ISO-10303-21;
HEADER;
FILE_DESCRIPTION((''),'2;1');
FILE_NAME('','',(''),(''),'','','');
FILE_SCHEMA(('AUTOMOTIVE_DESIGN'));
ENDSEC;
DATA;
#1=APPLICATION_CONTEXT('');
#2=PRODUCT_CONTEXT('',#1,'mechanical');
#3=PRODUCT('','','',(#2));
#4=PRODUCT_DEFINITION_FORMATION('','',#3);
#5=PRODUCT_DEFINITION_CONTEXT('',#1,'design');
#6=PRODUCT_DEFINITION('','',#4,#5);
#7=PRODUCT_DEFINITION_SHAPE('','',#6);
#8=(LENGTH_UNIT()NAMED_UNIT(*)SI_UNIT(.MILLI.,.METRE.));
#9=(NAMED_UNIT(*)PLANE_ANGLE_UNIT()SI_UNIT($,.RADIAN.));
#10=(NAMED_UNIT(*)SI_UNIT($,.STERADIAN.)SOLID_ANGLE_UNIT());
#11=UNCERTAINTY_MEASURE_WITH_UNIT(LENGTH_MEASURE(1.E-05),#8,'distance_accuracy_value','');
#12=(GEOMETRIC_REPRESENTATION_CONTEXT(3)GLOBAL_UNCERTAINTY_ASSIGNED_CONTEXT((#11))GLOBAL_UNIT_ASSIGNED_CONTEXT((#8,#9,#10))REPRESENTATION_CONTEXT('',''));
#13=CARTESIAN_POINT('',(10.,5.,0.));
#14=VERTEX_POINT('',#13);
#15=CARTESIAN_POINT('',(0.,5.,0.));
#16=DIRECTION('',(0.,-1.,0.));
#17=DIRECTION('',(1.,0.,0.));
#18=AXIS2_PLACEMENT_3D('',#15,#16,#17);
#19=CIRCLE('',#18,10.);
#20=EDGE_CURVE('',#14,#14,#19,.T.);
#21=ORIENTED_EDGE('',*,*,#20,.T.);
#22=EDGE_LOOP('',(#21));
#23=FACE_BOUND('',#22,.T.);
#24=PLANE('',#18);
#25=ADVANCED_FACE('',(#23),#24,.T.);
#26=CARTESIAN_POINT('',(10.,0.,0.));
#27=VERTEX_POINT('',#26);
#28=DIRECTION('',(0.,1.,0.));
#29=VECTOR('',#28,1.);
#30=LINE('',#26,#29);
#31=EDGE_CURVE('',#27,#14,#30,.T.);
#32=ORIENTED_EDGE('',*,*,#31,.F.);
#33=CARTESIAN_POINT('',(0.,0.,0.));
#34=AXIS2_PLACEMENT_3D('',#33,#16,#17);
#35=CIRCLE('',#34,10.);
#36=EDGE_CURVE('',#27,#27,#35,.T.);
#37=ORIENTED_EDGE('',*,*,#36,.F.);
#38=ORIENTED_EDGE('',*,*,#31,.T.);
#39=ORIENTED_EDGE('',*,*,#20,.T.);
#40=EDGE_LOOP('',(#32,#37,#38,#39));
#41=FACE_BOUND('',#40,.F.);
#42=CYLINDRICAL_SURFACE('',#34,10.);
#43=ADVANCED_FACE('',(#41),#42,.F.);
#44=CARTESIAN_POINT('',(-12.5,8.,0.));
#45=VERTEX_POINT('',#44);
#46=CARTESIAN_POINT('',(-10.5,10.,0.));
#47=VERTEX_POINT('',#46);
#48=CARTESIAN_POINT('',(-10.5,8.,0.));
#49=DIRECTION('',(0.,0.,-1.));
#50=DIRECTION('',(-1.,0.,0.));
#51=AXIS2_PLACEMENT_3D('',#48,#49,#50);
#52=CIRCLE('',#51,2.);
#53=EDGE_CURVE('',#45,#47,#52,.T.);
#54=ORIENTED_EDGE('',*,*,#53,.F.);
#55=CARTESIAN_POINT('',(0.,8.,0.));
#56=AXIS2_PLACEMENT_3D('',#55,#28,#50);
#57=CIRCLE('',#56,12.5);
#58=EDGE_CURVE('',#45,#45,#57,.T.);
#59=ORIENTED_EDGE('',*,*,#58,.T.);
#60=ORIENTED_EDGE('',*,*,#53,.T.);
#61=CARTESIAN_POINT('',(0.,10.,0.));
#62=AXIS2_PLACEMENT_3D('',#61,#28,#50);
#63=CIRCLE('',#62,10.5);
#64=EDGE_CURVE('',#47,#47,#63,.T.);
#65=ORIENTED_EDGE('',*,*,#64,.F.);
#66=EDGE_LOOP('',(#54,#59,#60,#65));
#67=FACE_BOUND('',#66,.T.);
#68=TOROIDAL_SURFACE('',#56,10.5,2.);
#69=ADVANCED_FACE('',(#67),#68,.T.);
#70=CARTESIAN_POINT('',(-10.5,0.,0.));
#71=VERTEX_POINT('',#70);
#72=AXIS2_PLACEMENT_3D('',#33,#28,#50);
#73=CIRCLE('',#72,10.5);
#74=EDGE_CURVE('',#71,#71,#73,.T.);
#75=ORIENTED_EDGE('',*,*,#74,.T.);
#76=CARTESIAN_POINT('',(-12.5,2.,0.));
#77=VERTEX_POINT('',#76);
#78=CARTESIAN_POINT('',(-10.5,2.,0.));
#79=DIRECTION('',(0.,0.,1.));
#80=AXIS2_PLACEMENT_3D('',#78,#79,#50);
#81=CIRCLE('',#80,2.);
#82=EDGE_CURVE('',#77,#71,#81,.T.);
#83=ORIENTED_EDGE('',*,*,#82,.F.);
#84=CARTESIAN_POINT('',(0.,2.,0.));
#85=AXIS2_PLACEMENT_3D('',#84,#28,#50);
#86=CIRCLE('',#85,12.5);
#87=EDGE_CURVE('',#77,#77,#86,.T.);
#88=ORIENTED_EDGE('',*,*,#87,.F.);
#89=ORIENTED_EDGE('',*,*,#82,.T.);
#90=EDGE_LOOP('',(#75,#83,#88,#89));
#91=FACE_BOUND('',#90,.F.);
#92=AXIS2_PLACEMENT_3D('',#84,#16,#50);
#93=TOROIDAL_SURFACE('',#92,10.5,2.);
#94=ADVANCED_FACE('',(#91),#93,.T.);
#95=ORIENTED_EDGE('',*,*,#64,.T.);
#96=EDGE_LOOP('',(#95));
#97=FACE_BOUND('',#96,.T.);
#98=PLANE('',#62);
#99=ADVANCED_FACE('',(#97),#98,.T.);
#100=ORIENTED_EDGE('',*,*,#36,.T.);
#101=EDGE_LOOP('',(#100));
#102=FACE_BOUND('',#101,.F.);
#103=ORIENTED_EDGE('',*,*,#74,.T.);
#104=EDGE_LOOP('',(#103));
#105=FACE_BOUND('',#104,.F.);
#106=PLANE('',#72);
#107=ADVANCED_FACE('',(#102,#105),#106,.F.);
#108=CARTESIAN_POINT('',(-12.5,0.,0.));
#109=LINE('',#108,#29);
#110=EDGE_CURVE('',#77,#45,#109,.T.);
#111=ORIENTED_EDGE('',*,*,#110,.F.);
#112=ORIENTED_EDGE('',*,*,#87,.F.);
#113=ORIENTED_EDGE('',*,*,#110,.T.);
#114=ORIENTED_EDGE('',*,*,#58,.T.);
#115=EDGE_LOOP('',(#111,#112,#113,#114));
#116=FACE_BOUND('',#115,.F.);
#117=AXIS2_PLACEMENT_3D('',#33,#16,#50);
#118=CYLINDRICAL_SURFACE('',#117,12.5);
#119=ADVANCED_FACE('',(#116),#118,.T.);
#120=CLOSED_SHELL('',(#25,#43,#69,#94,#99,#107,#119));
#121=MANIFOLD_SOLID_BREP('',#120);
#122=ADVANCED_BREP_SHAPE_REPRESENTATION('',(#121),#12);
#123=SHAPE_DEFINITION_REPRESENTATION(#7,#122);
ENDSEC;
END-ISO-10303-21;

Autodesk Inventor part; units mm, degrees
ref_plane "YZ Plane" through (0, 0, 0) normal (1, 0, 0) x (0, 1, 0)
ref_plane "XZ Plane" through (0, 0, 0) normal (0, 1, 0) x (-1, 0, 0)
ref_plane "XY Plane" through (0, 0, 0) normal (0, 0, 1) x (1, 0, 0)
sketch "Sketch1" plane through (0, 0, 0) normal (0, 1, 0) x (-1, 0, 0)
  circle A0 centre (0, 0) radius 12.5
  dimension "d0" = 25
extrude "Extrusion1" add sketch "Sketch1" along normal blind 10
sketch "Sketch2" plane through (0, 0, 0) normal (0, -1, 0) x (1, 0, 0)
  circle A0 centre (0, 0) radius 10
  dimension "d3" = 20
extrude "Extrusion2" cut sketch "Sketch2" against normal blind 5
fillet "Fillet1" radius 2 2 edges at (12.5, 10, 0) (12.5, 0, 0)
sketch "Sketch3" plane through (0, 0, 0) normal (0, 0, 1) x (1, 0, 0)
  point P0 (0, 0)
sketch "Sketch4" plane through (0, 5, 0) normal (0, -1, 0) x (1, 0, 0)
  point P0 (0, 0)
equation "\"BendRadius\" = Thickness"
equation "\"BendReliefWidth\" = Thickness"
equation "\"BendReliefDepth\" = 0.5 * Thickness"
equation "\"CornerReliefSize\" = 4 * Thickness"
equation "\"MinimumRemnant\" = 2 * Thickness"
equation "\"TransitionRadius\" = BendRadius"
equation "\"JacobiRadiusSize\" = BendRadius"
equation "\"GapSize\" = Thickness"
equation "\"Thickness\" = 0.5"
